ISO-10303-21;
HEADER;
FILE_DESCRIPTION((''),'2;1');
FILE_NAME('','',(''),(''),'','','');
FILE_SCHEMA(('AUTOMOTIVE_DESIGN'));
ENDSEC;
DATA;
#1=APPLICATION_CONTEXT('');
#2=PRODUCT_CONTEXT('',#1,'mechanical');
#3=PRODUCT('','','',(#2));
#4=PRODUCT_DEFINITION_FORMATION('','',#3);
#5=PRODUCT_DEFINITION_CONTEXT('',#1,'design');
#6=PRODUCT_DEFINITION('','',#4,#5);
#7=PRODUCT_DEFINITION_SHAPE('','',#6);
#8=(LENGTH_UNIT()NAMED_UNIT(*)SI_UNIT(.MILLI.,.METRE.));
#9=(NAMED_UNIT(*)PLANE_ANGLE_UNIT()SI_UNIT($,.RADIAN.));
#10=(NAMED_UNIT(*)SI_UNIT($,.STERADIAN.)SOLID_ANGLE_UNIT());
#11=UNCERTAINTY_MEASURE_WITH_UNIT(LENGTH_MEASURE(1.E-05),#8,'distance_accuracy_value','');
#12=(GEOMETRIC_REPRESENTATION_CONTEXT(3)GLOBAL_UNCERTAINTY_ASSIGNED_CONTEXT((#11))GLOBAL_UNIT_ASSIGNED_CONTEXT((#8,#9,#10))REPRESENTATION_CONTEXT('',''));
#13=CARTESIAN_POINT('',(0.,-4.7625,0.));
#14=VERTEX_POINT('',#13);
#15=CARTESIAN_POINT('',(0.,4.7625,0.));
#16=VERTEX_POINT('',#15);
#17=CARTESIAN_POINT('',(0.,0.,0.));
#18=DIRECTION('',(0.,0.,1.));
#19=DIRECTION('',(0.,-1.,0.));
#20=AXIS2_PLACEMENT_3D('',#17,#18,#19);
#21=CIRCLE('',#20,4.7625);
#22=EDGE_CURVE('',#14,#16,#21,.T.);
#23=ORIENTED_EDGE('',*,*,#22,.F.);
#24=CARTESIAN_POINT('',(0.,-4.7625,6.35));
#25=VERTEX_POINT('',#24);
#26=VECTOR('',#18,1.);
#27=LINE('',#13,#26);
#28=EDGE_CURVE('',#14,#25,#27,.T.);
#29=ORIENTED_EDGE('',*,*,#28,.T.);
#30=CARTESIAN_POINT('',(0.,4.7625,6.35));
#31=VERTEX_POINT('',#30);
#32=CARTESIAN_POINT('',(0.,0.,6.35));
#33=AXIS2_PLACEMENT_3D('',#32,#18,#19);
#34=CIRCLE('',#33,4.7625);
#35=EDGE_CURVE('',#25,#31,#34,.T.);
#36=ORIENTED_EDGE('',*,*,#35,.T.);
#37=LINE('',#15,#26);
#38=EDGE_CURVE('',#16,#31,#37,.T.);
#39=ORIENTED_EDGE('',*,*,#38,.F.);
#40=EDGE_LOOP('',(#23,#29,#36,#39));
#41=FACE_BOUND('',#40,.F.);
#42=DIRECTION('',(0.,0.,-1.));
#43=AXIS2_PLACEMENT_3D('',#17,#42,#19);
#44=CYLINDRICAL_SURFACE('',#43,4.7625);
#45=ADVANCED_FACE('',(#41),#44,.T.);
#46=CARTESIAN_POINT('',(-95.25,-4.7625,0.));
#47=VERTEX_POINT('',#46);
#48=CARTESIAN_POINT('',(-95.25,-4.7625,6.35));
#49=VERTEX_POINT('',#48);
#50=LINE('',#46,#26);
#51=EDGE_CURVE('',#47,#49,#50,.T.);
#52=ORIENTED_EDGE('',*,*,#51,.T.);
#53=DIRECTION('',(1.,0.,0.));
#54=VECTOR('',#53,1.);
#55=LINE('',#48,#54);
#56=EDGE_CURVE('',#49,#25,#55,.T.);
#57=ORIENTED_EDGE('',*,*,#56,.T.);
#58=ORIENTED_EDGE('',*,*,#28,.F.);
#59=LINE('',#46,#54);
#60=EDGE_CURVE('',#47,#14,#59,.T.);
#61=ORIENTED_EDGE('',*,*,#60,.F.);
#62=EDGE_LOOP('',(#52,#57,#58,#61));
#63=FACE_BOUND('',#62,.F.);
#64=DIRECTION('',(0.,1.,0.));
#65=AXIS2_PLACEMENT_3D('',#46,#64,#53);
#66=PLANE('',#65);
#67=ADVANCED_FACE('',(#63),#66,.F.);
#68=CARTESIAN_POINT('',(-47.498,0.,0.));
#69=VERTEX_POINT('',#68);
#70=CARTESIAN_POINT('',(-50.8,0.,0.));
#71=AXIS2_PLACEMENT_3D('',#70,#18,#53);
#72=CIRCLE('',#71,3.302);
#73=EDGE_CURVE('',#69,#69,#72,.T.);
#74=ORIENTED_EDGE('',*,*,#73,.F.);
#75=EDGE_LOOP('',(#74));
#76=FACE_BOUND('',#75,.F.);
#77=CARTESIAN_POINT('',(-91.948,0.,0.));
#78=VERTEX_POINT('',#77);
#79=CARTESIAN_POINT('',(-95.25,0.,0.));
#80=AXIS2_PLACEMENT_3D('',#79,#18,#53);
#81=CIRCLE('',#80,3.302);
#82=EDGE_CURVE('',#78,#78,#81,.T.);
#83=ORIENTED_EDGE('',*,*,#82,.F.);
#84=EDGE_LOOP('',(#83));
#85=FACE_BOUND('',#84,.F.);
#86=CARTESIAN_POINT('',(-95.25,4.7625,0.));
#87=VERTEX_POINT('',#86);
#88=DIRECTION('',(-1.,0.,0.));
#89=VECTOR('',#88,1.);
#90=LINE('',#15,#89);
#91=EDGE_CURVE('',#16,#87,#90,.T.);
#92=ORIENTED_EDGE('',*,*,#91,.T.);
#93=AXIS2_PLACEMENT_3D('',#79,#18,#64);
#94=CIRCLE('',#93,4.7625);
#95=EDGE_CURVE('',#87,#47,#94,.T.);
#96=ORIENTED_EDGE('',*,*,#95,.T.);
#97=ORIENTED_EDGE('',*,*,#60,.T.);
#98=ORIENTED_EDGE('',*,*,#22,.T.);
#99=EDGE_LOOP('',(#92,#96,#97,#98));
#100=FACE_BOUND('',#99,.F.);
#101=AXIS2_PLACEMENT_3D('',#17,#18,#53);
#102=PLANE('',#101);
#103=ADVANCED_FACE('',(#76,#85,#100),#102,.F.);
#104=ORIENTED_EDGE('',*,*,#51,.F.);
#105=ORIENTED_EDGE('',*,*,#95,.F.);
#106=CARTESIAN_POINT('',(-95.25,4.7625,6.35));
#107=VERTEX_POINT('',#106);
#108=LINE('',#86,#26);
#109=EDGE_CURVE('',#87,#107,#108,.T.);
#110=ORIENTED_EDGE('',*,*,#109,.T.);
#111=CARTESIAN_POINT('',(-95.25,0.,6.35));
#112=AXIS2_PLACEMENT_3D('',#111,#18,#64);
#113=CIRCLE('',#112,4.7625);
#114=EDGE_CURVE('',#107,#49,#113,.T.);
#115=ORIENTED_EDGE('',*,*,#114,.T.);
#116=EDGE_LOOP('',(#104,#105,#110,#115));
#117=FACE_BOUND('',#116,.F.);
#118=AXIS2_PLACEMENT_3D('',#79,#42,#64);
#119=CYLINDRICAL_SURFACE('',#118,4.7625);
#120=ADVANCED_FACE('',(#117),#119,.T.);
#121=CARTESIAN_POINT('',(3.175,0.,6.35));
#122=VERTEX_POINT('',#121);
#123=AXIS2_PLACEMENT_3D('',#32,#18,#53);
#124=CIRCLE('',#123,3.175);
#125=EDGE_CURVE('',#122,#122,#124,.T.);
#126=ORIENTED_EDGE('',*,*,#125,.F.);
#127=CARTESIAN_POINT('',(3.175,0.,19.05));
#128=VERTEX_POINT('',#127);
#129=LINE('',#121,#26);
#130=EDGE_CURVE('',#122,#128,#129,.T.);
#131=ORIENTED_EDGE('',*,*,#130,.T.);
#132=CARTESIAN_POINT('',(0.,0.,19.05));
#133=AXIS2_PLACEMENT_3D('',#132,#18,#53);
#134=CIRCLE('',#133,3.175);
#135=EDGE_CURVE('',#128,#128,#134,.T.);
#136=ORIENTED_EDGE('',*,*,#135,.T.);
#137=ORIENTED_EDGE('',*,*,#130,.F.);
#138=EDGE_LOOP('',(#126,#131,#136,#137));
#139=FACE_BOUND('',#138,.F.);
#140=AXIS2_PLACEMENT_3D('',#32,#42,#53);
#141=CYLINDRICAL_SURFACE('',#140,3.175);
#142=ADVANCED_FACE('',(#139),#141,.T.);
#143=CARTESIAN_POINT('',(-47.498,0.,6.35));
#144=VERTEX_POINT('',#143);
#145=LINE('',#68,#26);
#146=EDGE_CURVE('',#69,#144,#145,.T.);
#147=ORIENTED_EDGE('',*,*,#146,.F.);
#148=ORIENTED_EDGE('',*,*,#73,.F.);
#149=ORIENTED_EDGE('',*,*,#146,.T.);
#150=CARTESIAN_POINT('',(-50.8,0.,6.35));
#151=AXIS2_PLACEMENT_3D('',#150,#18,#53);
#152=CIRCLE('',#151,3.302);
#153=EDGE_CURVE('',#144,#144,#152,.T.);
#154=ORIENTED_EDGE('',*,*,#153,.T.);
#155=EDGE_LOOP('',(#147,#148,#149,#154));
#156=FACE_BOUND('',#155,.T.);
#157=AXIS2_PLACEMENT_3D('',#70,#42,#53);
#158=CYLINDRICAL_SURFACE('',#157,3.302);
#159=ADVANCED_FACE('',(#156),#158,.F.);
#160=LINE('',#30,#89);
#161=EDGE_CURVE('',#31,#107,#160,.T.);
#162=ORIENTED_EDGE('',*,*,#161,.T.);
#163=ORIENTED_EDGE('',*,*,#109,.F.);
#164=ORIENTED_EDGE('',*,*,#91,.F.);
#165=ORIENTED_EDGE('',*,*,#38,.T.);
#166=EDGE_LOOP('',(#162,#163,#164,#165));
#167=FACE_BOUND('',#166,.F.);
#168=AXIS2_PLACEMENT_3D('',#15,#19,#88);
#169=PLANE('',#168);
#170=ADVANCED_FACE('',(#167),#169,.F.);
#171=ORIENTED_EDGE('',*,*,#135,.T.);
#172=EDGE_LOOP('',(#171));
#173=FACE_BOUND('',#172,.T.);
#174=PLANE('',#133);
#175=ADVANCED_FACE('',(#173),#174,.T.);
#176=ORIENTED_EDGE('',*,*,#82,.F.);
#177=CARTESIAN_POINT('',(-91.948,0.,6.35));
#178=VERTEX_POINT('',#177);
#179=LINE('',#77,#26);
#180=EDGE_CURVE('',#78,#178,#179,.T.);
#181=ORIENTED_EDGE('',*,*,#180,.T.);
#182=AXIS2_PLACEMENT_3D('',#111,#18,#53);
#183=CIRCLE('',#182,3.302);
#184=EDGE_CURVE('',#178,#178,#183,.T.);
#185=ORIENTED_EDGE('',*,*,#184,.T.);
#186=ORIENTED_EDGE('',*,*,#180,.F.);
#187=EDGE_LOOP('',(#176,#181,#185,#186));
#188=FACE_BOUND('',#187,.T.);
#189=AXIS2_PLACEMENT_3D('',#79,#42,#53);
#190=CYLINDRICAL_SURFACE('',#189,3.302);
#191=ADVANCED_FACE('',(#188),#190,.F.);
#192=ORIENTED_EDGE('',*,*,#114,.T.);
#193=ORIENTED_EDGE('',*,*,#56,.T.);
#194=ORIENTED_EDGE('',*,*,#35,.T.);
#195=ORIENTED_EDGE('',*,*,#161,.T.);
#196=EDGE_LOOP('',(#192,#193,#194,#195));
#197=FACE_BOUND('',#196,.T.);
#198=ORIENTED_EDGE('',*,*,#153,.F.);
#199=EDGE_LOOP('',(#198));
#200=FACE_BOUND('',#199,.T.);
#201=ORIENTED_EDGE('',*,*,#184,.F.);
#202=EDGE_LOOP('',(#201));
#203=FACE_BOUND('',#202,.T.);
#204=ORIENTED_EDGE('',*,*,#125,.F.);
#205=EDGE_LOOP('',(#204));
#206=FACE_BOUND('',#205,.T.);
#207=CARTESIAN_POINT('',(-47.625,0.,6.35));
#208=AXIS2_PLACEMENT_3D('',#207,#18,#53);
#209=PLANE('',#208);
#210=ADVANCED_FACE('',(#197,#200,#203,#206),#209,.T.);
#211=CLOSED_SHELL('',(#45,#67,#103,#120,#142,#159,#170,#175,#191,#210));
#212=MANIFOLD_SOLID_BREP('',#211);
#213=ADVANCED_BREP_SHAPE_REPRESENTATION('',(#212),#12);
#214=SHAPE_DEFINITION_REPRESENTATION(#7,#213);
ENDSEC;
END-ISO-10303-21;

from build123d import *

# Parameters (mm, degrees)
F0_R          = 3.302
F0_R_2        = 3.175
F1_DEPTH      = 6.35
F2_R          = 3.175
F3_DEPTH      = 12.7
F3_DEPTH_BACK = 6.35


with BuildPart() as f1:
    # F0 (on Top) → F1 (new body)
    with BuildSketch(Plane.XY):
        with BuildLine():
            ThreePointArc((0, -4.7625), (4.7625, 0), (0, 4.7625))
            Line((0, 4.7625), (-95.25, 4.7625))
            ThreePointArc((-95.25, 4.7625), (-100.0125, 0), (-95.25, -4.7625))
            Line((-95.25, -4.7625), (0, -4.7625))
        make_face()
        with Locations((-95.25, 0)):
            Circle(F0_R, mode=Mode.SUBTRACT)
        with Locations((-50.8, 0)):
            Circle(F0_R, mode=Mode.SUBTRACT)
        Circle(F0_R_2, mode=Mode.SUBTRACT)
    extrude(amount=F1_DEPTH)

    # F2 (on face) → F3 (join, two sides)
    with BuildSketch(Plane.XY.offset(6.35)) as f3_sk:
        Circle(F2_R)
    extrude(amount=F3_DEPTH)
    extrude(f3_sk.sketch, amount=-F3_DEPTH_BACK)


solid = f1.part
